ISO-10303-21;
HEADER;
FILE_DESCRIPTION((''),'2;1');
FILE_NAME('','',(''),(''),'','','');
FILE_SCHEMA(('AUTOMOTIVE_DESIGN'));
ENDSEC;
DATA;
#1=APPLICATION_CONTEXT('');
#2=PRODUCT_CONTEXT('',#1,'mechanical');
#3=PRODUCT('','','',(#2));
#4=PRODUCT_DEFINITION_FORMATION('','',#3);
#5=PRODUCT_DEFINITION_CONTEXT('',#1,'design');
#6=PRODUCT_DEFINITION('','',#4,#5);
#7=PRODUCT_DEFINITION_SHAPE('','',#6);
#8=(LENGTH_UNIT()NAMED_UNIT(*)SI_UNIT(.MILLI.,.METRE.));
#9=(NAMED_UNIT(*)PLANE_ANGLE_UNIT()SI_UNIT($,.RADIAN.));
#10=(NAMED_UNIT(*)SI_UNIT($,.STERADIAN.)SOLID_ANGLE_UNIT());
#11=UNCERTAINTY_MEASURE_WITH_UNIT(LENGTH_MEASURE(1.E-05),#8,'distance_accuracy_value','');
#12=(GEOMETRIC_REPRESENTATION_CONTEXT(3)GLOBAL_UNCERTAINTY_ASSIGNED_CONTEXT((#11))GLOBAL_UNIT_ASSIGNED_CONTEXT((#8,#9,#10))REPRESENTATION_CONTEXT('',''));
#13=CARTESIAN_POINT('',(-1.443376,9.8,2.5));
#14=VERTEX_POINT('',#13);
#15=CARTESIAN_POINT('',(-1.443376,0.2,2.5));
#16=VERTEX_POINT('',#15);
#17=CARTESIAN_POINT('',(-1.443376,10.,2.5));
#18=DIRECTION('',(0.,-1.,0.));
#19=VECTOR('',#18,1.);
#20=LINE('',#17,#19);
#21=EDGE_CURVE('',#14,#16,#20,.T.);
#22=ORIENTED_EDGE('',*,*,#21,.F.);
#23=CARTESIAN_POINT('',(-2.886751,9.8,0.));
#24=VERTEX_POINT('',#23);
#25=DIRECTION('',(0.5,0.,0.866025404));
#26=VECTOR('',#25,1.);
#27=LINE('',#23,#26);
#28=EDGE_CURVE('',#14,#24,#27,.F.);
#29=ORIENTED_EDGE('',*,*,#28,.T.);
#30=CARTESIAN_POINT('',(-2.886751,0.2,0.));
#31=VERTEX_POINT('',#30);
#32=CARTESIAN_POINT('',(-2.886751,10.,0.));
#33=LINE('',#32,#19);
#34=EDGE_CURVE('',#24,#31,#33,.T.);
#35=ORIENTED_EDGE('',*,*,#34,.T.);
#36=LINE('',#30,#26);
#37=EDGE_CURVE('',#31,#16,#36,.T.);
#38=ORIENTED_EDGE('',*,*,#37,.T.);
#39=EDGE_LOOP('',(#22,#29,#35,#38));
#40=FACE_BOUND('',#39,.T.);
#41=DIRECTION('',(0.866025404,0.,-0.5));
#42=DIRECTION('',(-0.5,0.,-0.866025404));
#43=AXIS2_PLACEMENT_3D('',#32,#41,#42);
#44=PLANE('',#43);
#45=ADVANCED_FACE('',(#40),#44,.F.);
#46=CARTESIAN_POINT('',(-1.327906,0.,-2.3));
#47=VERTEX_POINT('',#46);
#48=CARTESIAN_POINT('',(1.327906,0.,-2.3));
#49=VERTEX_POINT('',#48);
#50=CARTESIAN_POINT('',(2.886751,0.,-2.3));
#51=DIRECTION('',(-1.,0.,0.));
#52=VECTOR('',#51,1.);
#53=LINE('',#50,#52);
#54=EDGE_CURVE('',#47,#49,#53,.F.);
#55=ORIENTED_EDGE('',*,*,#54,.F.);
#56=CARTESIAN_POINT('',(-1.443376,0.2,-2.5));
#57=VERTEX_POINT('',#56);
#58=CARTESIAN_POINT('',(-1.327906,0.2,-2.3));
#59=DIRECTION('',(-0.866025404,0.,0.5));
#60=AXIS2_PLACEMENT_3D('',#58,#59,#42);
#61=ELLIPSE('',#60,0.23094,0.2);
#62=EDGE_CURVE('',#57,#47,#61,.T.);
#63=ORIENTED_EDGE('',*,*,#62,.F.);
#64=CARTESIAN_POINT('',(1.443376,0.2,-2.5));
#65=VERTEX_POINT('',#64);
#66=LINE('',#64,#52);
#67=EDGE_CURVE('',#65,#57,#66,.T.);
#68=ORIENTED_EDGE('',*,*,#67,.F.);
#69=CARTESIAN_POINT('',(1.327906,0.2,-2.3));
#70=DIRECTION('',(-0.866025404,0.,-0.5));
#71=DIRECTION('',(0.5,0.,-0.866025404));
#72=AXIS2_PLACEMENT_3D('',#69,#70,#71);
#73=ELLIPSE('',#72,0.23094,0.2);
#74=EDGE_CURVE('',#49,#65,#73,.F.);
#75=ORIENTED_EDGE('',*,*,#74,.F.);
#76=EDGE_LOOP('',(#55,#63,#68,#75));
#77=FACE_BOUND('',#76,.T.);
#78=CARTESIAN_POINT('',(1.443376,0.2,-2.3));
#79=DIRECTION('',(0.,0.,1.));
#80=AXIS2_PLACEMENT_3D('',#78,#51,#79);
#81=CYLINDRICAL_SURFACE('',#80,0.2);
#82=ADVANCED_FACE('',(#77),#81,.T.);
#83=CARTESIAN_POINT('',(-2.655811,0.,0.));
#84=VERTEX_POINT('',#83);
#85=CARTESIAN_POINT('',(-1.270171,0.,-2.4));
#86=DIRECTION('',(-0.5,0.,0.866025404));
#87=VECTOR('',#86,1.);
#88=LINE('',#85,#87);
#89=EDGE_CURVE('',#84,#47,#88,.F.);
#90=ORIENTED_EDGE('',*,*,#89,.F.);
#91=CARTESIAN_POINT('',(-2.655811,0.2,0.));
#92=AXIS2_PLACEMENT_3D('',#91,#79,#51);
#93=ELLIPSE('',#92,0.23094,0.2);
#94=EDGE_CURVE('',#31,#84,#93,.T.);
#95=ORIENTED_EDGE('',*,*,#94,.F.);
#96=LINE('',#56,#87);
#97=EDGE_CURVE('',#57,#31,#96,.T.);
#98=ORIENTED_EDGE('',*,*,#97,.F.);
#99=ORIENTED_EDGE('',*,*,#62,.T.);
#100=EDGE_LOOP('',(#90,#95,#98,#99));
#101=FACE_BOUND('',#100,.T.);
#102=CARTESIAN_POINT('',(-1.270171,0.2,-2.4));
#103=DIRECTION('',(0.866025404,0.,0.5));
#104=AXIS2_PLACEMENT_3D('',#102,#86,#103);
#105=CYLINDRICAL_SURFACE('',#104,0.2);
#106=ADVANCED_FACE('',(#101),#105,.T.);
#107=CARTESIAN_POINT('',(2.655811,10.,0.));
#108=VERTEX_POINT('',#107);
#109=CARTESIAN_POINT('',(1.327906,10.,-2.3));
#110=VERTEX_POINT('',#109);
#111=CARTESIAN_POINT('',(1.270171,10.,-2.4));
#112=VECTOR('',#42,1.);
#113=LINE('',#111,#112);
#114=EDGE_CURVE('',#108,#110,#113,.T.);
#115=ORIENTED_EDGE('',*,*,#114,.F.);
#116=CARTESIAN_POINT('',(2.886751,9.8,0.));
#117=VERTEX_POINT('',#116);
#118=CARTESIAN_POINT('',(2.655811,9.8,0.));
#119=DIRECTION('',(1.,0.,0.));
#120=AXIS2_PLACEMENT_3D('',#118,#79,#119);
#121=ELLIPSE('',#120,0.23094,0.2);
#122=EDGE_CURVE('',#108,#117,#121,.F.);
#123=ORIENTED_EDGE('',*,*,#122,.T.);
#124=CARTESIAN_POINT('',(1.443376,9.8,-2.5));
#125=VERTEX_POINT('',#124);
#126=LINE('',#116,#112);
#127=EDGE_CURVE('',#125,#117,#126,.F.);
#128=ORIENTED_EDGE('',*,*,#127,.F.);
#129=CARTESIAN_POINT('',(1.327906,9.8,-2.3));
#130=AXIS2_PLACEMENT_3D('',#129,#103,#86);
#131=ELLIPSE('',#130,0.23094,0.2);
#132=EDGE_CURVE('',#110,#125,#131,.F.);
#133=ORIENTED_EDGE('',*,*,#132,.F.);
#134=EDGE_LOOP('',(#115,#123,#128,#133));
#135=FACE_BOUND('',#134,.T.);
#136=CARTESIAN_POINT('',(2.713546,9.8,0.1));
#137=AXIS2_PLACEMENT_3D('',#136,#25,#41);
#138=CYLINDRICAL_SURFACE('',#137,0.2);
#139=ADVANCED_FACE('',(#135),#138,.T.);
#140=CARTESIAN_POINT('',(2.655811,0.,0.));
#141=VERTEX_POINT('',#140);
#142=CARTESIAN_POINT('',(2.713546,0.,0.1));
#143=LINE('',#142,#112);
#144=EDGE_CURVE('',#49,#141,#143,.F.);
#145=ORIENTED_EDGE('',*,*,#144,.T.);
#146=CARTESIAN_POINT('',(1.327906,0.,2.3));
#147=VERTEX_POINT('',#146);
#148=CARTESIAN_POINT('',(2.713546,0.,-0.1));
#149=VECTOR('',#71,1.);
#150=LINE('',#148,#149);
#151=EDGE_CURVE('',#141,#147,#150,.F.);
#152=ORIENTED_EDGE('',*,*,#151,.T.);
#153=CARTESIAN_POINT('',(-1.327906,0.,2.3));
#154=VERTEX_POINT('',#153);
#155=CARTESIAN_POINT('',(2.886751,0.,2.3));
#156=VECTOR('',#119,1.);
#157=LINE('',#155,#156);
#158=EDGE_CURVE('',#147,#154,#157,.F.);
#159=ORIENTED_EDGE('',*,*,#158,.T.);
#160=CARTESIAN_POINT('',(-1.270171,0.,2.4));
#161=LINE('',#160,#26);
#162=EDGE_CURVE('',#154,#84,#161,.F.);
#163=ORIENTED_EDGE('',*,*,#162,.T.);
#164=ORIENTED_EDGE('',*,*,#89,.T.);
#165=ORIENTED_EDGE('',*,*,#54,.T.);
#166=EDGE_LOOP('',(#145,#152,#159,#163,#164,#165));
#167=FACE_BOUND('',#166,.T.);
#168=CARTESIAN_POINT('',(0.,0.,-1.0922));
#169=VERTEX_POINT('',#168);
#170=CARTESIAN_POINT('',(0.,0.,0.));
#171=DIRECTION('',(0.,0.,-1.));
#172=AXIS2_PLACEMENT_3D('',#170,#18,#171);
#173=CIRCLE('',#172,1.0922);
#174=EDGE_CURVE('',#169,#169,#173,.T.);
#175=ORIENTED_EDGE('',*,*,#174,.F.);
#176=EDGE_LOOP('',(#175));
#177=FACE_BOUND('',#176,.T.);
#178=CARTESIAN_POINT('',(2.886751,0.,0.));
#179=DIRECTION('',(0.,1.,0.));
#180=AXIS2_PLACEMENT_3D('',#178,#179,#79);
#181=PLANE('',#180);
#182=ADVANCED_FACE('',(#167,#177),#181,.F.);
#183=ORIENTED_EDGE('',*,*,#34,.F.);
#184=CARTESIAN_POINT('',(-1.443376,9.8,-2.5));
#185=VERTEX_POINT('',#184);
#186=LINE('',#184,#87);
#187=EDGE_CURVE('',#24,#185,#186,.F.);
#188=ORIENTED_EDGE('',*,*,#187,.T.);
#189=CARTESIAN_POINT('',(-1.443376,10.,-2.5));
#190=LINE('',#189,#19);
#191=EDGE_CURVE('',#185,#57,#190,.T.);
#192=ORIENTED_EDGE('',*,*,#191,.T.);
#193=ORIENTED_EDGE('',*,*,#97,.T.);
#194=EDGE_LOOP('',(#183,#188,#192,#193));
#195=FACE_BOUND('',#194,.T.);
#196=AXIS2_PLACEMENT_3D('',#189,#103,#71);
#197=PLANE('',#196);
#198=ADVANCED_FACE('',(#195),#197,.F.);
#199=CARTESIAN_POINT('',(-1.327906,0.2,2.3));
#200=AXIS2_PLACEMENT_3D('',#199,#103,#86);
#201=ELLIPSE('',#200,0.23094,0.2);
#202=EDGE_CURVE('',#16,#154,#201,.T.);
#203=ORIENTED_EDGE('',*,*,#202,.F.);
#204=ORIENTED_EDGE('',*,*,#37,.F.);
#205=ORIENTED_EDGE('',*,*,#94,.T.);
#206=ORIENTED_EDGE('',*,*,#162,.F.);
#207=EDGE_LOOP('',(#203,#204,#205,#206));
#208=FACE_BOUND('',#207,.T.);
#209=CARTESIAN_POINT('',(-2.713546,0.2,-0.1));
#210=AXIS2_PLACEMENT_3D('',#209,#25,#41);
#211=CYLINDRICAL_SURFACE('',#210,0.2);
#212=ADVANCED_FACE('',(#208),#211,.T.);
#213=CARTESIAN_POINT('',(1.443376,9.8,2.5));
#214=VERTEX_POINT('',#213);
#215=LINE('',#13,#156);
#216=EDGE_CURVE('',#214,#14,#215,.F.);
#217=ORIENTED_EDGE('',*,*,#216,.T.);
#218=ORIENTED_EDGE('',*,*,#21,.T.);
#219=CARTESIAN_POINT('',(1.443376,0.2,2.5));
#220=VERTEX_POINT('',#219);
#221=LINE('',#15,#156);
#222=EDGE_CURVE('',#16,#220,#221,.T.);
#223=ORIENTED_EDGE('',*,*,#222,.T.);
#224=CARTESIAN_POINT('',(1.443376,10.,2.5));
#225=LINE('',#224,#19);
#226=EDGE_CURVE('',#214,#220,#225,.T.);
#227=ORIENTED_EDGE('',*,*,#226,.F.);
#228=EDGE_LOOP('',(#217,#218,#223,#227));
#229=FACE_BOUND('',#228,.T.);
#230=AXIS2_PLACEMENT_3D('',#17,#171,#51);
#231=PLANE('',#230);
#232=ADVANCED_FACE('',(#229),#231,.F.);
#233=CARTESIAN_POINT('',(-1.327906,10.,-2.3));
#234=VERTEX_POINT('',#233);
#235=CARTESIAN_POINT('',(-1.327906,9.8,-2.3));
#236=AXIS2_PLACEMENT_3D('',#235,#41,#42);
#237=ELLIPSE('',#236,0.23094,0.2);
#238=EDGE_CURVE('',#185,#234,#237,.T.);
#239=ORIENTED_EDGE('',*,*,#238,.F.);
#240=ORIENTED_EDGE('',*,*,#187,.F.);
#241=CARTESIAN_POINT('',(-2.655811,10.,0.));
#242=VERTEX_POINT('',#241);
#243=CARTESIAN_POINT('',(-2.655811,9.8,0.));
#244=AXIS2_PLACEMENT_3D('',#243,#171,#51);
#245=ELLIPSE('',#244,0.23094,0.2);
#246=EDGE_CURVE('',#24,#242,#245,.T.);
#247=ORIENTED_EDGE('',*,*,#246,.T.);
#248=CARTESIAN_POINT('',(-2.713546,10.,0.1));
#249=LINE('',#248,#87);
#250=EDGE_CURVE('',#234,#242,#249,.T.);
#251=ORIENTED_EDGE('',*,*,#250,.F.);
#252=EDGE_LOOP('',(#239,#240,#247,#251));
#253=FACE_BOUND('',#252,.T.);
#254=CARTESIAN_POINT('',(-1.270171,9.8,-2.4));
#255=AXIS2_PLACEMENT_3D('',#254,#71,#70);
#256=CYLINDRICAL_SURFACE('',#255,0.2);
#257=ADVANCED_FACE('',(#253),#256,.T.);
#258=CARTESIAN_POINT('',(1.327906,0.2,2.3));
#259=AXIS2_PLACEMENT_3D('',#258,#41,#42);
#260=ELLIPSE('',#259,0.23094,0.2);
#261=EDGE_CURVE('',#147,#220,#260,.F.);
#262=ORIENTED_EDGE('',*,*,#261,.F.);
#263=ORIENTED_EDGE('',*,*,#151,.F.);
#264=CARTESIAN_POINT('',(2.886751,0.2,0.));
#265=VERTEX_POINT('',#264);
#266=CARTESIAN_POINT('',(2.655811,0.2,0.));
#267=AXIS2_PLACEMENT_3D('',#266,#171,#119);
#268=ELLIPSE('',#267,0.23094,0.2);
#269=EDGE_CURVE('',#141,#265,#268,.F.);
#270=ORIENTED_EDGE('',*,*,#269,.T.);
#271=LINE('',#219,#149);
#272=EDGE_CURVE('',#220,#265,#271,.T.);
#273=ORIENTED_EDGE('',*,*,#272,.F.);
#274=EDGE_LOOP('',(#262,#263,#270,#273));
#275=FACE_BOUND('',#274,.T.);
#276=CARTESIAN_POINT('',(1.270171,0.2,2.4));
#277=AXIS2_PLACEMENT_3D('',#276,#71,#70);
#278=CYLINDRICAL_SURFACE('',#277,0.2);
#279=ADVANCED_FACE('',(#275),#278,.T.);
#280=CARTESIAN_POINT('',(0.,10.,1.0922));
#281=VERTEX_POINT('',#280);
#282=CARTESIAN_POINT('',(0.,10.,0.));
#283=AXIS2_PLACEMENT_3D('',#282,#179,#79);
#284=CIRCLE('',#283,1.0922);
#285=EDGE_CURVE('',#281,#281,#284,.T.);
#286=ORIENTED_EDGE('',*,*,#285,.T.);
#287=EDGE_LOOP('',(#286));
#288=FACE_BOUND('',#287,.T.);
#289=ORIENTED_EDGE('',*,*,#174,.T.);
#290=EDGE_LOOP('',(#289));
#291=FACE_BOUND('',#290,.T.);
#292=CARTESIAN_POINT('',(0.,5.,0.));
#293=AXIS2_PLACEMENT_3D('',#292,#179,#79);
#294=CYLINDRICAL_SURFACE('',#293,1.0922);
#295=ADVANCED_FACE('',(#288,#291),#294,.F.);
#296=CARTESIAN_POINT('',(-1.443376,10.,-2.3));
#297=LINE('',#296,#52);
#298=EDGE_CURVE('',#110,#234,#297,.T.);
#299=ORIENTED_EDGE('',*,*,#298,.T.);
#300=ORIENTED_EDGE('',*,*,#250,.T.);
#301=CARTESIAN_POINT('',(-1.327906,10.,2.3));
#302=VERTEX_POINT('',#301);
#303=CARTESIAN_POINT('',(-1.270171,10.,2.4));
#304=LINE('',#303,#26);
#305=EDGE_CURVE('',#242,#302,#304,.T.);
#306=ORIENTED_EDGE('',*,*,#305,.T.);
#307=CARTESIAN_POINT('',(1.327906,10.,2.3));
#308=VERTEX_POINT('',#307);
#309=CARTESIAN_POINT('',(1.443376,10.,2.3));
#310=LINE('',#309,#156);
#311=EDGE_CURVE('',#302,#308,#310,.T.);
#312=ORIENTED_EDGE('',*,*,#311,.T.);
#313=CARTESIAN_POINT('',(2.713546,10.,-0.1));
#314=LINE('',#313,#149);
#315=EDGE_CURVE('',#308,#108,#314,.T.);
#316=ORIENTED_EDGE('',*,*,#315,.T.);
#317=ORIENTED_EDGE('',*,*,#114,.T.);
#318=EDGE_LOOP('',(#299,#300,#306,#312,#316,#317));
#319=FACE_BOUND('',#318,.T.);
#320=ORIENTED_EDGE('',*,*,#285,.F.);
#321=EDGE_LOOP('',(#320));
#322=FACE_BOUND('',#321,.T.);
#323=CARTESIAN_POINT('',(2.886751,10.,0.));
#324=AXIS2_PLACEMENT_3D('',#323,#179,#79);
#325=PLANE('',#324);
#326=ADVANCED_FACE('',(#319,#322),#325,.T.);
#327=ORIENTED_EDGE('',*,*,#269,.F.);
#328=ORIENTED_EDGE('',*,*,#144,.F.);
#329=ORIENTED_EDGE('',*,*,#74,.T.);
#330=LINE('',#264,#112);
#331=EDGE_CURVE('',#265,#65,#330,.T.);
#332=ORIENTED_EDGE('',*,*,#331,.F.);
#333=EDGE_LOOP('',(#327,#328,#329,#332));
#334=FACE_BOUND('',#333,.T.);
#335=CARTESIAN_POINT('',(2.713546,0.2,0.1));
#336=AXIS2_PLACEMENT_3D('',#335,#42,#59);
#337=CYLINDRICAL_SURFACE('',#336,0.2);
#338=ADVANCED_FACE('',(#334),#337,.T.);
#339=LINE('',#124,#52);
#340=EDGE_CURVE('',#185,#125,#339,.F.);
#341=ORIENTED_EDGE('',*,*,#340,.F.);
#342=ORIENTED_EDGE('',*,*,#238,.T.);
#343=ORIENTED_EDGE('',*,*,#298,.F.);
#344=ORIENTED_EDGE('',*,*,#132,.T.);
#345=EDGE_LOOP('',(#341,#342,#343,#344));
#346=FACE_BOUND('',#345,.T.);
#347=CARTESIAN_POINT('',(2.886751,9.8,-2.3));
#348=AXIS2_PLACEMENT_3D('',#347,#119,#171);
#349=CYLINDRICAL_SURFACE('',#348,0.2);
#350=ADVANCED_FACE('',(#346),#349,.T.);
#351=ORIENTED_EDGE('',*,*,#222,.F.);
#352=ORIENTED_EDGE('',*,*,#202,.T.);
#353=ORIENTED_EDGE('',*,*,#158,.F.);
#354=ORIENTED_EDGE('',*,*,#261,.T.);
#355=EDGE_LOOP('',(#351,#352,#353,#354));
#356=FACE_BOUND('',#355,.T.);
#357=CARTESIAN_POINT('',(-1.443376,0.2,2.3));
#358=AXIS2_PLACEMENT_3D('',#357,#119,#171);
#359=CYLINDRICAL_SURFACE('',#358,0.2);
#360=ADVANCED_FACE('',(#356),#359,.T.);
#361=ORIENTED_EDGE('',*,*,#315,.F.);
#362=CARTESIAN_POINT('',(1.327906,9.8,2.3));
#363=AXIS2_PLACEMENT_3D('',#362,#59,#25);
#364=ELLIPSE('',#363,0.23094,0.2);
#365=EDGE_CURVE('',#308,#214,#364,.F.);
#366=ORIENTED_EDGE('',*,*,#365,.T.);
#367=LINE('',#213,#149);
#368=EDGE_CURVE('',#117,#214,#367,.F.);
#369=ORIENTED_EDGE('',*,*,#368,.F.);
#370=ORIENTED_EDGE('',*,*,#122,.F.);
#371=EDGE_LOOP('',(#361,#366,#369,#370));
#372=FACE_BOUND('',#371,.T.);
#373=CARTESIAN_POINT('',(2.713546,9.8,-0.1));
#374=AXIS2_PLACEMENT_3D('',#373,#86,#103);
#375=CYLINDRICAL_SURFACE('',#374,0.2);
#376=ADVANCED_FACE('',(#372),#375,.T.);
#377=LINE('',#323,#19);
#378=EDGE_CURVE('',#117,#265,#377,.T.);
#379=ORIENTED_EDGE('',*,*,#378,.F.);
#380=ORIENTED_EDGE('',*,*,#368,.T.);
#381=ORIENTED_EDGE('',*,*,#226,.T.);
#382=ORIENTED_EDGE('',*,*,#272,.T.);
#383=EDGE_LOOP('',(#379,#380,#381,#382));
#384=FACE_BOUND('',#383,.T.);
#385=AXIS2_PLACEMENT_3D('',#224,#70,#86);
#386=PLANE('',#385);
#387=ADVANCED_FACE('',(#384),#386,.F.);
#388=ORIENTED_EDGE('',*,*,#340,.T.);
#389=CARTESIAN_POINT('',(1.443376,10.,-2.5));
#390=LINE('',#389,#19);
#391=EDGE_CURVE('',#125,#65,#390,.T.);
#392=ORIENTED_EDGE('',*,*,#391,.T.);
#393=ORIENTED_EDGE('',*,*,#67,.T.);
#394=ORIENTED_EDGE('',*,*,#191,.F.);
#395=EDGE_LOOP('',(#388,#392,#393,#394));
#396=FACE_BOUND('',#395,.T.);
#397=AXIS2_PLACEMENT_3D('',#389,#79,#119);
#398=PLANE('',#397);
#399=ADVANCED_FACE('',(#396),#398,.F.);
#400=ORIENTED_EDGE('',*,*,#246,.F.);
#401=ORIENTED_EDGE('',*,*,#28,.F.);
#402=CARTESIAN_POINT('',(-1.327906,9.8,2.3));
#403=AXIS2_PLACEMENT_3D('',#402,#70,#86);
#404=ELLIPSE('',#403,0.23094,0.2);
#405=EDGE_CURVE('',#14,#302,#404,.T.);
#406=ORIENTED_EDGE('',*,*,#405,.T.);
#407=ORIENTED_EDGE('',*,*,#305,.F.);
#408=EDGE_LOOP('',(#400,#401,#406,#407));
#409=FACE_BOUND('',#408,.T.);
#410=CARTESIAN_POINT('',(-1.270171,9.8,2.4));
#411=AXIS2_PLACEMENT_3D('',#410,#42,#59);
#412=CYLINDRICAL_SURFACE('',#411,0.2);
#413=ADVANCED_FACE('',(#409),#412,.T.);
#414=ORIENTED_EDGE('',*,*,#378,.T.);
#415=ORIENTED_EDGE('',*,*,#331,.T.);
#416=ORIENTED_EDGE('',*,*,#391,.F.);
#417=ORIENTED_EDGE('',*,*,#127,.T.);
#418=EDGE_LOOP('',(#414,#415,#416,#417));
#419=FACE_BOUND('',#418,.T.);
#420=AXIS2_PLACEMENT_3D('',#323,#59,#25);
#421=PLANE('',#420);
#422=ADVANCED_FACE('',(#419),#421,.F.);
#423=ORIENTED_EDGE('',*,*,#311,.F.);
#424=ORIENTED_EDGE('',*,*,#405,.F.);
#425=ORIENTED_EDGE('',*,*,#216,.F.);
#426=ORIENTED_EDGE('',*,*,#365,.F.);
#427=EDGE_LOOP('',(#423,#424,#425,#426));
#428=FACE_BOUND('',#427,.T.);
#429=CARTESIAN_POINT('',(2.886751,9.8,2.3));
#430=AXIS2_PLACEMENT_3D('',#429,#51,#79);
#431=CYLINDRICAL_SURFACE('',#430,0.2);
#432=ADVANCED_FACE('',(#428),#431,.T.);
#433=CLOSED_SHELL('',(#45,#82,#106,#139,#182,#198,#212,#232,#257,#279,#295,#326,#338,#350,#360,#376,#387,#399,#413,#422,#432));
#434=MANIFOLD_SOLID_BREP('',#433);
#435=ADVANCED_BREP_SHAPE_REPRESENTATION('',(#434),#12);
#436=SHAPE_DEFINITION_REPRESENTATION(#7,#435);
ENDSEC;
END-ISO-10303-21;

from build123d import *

# Parameters (mm, degrees)
RESSALTO_EXTRUS_O1_DEPTH = 10
FILETE1_R                = 0.2
ESBO_O3_R                = 1.0922
CORTE_EXTRUS_O1_DEPTH    = 5
CORTE_EXTRUS_O2_START    = -5
ESBO_O2_R                = 1.0922
CORTE_EXTRUS_O2_DEPTH    = 5


with BuildPart() as part:
    # Esboço1 → Ressalto-extrusão1 (new body)
    with BuildSketch(Plane(origin=(0, 0, 0), x_dir=(1, 0, 0), z_dir=(0, 1, 0))):
        Polygon((2.886751346, 0), (1.443375673, 2.5), (-1.443375673, 2.5), (-2.886751346, 0), (-1.443375673, -2.5), (1.443375673, -2.5), align=None)
    extrude(amount=RESSALTO_EXTRUS_O1_DEPTH)

    # Filete1
    filete1_edges = [part.edges().sort_by_distance(p)[0] for p in [
        (0, 10, -2.5),
        (-2.165063509, 10, -1.25),
        (-2.165063509, 10, 1.25),
        (0, 10, 2.5),
        (2.165063509, 10, 1.25),
        (0, 0, 2.5),
        (-2.165063509, 0, 1.25),
        (-2.165063509, 0, -1.25),
        (2.165063509, 10, -1.25),
        (0, 0, -2.5),
        (2.165063509, 0, -1.25),
        (2.165063509, 0, 1.25),
    ]]
    fillet(filete1_edges, radius=FILETE1_R)

    # Esboço3 → Corte-extrusão1 (cut)
    with BuildSketch(Plane(origin=(0, 10, 0), x_dir=(1, 0, 0), z_dir=(0, 1, 0))):
        with Locations(Location((0, 0, 0), (0, 0, 270))):
            Circle(ESBO_O3_R)
    extrude(amount=-CORTE_EXTRUS_O1_DEPTH, mode=Mode.SUBTRACT)

    # Esboço2 → Corte-extrusão2 (cut)
    with BuildSketch(Plane.XZ.offset(CORTE_EXTRUS_O2_START)):
        with Locations(Location((0, 0, 0), (0, 0, 90))):
            Circle(ESBO_O2_R)
    extrude(amount=CORTE_EXTRUS_O2_DEPTH, mode=Mode.SUBTRACT)


solid = part.part
